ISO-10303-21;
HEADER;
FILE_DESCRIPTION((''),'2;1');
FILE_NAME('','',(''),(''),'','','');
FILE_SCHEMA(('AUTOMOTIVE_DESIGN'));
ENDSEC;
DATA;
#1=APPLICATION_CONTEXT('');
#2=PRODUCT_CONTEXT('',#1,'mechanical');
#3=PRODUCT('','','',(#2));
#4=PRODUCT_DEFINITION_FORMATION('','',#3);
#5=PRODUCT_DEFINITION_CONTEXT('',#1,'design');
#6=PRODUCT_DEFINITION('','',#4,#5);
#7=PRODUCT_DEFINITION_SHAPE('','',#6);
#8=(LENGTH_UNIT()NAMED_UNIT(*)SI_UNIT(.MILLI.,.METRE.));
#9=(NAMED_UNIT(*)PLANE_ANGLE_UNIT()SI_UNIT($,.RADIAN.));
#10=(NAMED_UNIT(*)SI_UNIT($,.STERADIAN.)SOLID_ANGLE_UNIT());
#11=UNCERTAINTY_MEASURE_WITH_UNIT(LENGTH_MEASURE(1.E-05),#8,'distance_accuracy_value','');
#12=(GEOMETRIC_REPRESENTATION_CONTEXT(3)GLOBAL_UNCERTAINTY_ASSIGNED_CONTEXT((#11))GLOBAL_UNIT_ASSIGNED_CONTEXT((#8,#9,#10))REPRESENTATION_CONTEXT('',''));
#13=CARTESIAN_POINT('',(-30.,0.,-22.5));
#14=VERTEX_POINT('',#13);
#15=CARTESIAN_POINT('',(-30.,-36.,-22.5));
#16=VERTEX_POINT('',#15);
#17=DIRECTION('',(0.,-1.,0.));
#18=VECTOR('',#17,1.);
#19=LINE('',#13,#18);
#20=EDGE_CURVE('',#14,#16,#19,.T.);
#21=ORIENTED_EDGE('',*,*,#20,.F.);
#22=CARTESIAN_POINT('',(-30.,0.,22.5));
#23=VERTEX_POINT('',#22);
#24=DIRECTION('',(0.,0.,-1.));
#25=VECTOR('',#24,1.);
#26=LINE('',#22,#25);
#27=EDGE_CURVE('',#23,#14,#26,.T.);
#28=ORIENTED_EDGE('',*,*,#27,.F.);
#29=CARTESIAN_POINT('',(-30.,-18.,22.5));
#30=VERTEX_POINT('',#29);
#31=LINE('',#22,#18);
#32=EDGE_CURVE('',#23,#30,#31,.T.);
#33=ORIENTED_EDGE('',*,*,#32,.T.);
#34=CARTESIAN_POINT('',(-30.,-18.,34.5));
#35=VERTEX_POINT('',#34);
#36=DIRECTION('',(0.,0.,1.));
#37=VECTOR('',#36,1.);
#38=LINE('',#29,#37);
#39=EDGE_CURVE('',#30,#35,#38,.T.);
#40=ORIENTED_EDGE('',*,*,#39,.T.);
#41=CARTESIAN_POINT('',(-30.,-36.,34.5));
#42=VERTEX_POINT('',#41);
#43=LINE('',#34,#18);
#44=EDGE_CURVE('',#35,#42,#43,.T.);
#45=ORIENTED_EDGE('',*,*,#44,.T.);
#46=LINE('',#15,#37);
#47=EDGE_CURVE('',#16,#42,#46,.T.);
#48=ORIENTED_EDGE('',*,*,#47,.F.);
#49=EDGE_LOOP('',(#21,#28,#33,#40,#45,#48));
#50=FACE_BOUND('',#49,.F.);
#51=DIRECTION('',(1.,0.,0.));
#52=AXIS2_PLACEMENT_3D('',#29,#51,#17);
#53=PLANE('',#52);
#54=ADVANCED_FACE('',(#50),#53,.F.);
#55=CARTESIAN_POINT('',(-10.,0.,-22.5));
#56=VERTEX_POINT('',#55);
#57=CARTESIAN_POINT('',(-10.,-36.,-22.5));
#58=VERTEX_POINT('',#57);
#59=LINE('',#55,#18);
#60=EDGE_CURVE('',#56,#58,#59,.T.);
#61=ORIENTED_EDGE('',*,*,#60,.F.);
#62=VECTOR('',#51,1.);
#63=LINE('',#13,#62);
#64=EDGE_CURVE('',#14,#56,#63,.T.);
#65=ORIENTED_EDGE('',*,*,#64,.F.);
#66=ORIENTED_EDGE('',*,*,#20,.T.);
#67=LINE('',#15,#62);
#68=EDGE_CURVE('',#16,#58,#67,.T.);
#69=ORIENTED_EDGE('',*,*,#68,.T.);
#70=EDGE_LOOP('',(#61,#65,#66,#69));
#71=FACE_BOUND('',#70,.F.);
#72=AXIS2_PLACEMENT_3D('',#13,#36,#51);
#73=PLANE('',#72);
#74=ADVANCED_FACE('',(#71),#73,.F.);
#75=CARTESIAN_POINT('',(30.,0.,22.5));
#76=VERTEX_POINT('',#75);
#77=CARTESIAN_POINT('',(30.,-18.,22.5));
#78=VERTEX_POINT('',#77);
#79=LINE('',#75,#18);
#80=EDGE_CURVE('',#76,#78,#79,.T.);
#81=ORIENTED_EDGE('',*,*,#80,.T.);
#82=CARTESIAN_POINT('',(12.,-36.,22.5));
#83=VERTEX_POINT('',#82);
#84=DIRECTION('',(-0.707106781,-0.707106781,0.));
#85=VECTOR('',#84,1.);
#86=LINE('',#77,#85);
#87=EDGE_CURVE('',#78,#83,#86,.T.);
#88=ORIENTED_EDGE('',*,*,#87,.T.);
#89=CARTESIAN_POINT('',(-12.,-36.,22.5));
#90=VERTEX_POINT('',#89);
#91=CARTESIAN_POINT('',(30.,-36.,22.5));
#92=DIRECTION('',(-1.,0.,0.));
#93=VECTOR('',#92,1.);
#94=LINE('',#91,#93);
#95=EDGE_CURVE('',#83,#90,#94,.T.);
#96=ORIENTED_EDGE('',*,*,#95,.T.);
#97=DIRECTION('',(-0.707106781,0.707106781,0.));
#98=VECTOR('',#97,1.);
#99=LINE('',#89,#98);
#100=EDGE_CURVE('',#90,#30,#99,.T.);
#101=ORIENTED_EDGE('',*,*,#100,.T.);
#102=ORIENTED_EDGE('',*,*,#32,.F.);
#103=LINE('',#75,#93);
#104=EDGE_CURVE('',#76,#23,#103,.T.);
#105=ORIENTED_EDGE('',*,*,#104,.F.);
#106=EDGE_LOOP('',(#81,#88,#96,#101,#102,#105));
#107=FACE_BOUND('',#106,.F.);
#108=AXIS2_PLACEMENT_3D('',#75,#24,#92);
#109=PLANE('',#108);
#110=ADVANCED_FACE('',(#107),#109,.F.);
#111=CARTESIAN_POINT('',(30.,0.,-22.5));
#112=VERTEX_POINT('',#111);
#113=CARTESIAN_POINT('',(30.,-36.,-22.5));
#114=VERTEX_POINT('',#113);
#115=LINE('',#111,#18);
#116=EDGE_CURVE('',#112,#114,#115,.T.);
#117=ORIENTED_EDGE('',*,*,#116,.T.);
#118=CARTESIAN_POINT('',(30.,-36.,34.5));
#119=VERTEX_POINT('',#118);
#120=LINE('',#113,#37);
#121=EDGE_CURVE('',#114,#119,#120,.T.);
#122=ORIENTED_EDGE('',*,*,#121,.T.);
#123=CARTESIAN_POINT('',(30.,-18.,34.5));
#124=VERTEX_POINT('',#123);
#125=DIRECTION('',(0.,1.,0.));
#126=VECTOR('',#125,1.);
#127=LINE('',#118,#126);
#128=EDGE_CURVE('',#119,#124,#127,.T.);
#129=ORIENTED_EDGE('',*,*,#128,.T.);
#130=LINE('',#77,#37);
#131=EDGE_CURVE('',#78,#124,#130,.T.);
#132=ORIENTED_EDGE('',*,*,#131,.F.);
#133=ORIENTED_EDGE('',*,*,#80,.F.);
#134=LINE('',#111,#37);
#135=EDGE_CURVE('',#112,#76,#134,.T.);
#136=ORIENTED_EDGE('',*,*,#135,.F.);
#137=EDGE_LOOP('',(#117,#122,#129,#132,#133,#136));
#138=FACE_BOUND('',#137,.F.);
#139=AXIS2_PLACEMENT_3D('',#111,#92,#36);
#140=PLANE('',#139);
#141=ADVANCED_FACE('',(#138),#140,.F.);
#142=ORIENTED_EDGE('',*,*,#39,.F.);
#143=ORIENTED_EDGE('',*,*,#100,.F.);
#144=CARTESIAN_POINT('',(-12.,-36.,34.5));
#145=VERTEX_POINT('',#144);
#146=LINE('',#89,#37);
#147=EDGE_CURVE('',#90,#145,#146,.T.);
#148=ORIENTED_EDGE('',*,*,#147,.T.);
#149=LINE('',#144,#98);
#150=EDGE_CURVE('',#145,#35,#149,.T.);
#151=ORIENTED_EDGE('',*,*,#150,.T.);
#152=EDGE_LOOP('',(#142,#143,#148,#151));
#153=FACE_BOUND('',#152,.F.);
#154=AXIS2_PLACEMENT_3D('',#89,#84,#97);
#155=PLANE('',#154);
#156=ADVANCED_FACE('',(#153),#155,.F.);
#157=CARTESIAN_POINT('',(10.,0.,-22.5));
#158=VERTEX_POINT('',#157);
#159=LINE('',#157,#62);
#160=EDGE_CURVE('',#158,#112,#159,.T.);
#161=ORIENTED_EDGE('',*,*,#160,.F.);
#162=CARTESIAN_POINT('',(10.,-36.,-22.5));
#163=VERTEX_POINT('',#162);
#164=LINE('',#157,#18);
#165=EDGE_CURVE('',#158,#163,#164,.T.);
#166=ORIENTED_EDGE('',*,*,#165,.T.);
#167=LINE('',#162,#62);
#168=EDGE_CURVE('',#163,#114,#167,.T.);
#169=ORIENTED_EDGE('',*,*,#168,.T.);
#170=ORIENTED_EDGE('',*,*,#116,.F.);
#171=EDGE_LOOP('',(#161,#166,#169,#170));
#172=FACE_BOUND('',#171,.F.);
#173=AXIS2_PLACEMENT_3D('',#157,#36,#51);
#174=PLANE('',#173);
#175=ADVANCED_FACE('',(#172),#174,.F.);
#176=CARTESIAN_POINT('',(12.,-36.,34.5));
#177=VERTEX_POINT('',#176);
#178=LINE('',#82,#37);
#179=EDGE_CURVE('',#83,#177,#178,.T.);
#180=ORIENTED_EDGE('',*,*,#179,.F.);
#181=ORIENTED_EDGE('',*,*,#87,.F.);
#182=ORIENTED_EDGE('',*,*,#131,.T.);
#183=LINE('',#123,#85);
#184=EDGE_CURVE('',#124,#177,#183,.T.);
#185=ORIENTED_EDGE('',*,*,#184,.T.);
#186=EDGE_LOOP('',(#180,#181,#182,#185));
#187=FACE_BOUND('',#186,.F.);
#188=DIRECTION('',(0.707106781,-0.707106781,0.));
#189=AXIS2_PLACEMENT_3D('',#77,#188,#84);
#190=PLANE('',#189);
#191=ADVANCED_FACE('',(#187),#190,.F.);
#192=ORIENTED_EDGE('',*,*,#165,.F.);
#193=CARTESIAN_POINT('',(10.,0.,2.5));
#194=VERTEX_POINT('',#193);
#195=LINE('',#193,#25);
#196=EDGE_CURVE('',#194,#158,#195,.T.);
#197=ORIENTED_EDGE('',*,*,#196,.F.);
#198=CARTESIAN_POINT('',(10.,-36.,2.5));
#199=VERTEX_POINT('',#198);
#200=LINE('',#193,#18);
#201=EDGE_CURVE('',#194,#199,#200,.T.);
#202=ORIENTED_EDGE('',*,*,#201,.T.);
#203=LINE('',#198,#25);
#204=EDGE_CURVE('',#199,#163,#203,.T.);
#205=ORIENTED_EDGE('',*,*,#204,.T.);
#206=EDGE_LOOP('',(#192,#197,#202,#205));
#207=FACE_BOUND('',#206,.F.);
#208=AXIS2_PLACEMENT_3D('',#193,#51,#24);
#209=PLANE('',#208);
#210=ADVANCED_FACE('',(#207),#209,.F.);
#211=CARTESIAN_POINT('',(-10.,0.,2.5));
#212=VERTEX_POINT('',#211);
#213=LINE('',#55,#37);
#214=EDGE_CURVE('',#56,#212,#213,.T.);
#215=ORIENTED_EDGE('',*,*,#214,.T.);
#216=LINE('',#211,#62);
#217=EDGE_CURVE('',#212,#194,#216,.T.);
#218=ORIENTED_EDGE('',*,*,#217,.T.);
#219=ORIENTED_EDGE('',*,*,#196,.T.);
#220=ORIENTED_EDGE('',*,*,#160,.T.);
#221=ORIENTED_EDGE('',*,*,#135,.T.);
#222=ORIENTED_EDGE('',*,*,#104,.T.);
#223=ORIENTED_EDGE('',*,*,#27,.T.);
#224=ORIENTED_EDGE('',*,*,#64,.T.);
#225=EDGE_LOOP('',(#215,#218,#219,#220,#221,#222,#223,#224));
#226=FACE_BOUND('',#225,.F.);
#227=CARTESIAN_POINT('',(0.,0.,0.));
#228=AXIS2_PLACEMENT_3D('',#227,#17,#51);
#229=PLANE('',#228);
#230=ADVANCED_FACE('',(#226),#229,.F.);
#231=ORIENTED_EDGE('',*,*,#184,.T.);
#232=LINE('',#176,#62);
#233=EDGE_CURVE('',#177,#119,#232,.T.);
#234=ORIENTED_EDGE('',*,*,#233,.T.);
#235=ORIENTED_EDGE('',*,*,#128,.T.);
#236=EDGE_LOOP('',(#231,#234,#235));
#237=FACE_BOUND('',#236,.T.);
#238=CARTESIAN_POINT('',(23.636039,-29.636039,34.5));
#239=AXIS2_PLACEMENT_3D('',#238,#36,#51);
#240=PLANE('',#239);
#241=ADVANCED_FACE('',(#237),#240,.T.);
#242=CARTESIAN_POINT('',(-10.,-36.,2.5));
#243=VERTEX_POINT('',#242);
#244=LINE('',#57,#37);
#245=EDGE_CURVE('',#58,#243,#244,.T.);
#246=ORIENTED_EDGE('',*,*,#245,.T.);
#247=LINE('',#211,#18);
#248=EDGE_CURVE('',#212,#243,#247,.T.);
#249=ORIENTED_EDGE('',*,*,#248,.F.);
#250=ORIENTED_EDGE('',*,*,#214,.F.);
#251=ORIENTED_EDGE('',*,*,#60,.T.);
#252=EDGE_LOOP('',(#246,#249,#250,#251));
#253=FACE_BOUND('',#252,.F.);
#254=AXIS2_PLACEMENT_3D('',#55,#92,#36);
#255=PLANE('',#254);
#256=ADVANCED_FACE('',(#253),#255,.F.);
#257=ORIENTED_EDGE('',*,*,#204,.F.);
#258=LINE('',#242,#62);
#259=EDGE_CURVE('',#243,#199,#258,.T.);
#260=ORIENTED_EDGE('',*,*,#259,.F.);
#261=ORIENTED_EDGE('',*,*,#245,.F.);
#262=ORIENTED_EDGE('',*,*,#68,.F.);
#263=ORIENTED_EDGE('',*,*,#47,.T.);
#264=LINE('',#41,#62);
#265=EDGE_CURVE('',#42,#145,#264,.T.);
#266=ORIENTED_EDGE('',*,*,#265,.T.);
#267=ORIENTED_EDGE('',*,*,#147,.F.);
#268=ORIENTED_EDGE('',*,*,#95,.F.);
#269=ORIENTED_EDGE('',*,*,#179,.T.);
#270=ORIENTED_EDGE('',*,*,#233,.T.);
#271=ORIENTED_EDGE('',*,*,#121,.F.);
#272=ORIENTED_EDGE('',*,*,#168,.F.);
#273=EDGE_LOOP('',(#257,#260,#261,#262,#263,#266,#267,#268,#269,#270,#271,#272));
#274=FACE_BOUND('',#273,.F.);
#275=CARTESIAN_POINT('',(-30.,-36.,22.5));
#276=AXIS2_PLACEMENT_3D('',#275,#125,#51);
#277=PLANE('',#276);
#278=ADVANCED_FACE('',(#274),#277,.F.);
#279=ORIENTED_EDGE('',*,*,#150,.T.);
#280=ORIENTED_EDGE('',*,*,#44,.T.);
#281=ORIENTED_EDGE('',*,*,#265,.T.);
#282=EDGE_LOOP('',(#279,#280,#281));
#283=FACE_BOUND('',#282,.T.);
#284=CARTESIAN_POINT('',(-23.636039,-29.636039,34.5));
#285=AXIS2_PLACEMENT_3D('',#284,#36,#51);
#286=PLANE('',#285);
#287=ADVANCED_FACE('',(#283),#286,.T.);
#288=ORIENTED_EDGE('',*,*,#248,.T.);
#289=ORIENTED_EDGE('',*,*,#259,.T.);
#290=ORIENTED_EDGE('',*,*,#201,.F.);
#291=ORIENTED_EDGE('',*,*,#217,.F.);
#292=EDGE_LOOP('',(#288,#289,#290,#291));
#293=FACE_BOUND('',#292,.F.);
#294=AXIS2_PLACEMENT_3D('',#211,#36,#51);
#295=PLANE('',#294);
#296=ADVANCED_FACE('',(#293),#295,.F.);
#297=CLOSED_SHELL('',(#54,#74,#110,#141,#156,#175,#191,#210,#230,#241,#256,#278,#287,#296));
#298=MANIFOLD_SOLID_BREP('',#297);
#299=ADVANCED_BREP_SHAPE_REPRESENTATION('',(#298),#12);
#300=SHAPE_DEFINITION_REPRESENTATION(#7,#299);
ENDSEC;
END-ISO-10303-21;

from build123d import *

# Parameters (mm, degrees)
F1_DEPTH = 36
F3_DEPTH = 12


with BuildPart() as f1:
    # F0 (on Front) → F1 (new body)
    with BuildSketch(Plane.XZ):
        Polygon((30, -22.5), (30, 22.5), (10, 22.5), (-10, 22.5), (-30, 22.5), (-30, -22.5), (-10, -22.5), (-10, 2.5), (10, 2.5), (10, -22.5), align=None)
    extrude(amount=F1_DEPTH)

    # F2 (on face) → F3 (join)
    with BuildSketch(Plane.XY.offset(22.5)):
        Polygon((-30, -18), (-30, -36), (-12, -36), align=None)
        Polygon((30, -18), (12, -36), (30, -36), align=None)
    extrude(amount=F3_DEPTH)


solid = f1.part
